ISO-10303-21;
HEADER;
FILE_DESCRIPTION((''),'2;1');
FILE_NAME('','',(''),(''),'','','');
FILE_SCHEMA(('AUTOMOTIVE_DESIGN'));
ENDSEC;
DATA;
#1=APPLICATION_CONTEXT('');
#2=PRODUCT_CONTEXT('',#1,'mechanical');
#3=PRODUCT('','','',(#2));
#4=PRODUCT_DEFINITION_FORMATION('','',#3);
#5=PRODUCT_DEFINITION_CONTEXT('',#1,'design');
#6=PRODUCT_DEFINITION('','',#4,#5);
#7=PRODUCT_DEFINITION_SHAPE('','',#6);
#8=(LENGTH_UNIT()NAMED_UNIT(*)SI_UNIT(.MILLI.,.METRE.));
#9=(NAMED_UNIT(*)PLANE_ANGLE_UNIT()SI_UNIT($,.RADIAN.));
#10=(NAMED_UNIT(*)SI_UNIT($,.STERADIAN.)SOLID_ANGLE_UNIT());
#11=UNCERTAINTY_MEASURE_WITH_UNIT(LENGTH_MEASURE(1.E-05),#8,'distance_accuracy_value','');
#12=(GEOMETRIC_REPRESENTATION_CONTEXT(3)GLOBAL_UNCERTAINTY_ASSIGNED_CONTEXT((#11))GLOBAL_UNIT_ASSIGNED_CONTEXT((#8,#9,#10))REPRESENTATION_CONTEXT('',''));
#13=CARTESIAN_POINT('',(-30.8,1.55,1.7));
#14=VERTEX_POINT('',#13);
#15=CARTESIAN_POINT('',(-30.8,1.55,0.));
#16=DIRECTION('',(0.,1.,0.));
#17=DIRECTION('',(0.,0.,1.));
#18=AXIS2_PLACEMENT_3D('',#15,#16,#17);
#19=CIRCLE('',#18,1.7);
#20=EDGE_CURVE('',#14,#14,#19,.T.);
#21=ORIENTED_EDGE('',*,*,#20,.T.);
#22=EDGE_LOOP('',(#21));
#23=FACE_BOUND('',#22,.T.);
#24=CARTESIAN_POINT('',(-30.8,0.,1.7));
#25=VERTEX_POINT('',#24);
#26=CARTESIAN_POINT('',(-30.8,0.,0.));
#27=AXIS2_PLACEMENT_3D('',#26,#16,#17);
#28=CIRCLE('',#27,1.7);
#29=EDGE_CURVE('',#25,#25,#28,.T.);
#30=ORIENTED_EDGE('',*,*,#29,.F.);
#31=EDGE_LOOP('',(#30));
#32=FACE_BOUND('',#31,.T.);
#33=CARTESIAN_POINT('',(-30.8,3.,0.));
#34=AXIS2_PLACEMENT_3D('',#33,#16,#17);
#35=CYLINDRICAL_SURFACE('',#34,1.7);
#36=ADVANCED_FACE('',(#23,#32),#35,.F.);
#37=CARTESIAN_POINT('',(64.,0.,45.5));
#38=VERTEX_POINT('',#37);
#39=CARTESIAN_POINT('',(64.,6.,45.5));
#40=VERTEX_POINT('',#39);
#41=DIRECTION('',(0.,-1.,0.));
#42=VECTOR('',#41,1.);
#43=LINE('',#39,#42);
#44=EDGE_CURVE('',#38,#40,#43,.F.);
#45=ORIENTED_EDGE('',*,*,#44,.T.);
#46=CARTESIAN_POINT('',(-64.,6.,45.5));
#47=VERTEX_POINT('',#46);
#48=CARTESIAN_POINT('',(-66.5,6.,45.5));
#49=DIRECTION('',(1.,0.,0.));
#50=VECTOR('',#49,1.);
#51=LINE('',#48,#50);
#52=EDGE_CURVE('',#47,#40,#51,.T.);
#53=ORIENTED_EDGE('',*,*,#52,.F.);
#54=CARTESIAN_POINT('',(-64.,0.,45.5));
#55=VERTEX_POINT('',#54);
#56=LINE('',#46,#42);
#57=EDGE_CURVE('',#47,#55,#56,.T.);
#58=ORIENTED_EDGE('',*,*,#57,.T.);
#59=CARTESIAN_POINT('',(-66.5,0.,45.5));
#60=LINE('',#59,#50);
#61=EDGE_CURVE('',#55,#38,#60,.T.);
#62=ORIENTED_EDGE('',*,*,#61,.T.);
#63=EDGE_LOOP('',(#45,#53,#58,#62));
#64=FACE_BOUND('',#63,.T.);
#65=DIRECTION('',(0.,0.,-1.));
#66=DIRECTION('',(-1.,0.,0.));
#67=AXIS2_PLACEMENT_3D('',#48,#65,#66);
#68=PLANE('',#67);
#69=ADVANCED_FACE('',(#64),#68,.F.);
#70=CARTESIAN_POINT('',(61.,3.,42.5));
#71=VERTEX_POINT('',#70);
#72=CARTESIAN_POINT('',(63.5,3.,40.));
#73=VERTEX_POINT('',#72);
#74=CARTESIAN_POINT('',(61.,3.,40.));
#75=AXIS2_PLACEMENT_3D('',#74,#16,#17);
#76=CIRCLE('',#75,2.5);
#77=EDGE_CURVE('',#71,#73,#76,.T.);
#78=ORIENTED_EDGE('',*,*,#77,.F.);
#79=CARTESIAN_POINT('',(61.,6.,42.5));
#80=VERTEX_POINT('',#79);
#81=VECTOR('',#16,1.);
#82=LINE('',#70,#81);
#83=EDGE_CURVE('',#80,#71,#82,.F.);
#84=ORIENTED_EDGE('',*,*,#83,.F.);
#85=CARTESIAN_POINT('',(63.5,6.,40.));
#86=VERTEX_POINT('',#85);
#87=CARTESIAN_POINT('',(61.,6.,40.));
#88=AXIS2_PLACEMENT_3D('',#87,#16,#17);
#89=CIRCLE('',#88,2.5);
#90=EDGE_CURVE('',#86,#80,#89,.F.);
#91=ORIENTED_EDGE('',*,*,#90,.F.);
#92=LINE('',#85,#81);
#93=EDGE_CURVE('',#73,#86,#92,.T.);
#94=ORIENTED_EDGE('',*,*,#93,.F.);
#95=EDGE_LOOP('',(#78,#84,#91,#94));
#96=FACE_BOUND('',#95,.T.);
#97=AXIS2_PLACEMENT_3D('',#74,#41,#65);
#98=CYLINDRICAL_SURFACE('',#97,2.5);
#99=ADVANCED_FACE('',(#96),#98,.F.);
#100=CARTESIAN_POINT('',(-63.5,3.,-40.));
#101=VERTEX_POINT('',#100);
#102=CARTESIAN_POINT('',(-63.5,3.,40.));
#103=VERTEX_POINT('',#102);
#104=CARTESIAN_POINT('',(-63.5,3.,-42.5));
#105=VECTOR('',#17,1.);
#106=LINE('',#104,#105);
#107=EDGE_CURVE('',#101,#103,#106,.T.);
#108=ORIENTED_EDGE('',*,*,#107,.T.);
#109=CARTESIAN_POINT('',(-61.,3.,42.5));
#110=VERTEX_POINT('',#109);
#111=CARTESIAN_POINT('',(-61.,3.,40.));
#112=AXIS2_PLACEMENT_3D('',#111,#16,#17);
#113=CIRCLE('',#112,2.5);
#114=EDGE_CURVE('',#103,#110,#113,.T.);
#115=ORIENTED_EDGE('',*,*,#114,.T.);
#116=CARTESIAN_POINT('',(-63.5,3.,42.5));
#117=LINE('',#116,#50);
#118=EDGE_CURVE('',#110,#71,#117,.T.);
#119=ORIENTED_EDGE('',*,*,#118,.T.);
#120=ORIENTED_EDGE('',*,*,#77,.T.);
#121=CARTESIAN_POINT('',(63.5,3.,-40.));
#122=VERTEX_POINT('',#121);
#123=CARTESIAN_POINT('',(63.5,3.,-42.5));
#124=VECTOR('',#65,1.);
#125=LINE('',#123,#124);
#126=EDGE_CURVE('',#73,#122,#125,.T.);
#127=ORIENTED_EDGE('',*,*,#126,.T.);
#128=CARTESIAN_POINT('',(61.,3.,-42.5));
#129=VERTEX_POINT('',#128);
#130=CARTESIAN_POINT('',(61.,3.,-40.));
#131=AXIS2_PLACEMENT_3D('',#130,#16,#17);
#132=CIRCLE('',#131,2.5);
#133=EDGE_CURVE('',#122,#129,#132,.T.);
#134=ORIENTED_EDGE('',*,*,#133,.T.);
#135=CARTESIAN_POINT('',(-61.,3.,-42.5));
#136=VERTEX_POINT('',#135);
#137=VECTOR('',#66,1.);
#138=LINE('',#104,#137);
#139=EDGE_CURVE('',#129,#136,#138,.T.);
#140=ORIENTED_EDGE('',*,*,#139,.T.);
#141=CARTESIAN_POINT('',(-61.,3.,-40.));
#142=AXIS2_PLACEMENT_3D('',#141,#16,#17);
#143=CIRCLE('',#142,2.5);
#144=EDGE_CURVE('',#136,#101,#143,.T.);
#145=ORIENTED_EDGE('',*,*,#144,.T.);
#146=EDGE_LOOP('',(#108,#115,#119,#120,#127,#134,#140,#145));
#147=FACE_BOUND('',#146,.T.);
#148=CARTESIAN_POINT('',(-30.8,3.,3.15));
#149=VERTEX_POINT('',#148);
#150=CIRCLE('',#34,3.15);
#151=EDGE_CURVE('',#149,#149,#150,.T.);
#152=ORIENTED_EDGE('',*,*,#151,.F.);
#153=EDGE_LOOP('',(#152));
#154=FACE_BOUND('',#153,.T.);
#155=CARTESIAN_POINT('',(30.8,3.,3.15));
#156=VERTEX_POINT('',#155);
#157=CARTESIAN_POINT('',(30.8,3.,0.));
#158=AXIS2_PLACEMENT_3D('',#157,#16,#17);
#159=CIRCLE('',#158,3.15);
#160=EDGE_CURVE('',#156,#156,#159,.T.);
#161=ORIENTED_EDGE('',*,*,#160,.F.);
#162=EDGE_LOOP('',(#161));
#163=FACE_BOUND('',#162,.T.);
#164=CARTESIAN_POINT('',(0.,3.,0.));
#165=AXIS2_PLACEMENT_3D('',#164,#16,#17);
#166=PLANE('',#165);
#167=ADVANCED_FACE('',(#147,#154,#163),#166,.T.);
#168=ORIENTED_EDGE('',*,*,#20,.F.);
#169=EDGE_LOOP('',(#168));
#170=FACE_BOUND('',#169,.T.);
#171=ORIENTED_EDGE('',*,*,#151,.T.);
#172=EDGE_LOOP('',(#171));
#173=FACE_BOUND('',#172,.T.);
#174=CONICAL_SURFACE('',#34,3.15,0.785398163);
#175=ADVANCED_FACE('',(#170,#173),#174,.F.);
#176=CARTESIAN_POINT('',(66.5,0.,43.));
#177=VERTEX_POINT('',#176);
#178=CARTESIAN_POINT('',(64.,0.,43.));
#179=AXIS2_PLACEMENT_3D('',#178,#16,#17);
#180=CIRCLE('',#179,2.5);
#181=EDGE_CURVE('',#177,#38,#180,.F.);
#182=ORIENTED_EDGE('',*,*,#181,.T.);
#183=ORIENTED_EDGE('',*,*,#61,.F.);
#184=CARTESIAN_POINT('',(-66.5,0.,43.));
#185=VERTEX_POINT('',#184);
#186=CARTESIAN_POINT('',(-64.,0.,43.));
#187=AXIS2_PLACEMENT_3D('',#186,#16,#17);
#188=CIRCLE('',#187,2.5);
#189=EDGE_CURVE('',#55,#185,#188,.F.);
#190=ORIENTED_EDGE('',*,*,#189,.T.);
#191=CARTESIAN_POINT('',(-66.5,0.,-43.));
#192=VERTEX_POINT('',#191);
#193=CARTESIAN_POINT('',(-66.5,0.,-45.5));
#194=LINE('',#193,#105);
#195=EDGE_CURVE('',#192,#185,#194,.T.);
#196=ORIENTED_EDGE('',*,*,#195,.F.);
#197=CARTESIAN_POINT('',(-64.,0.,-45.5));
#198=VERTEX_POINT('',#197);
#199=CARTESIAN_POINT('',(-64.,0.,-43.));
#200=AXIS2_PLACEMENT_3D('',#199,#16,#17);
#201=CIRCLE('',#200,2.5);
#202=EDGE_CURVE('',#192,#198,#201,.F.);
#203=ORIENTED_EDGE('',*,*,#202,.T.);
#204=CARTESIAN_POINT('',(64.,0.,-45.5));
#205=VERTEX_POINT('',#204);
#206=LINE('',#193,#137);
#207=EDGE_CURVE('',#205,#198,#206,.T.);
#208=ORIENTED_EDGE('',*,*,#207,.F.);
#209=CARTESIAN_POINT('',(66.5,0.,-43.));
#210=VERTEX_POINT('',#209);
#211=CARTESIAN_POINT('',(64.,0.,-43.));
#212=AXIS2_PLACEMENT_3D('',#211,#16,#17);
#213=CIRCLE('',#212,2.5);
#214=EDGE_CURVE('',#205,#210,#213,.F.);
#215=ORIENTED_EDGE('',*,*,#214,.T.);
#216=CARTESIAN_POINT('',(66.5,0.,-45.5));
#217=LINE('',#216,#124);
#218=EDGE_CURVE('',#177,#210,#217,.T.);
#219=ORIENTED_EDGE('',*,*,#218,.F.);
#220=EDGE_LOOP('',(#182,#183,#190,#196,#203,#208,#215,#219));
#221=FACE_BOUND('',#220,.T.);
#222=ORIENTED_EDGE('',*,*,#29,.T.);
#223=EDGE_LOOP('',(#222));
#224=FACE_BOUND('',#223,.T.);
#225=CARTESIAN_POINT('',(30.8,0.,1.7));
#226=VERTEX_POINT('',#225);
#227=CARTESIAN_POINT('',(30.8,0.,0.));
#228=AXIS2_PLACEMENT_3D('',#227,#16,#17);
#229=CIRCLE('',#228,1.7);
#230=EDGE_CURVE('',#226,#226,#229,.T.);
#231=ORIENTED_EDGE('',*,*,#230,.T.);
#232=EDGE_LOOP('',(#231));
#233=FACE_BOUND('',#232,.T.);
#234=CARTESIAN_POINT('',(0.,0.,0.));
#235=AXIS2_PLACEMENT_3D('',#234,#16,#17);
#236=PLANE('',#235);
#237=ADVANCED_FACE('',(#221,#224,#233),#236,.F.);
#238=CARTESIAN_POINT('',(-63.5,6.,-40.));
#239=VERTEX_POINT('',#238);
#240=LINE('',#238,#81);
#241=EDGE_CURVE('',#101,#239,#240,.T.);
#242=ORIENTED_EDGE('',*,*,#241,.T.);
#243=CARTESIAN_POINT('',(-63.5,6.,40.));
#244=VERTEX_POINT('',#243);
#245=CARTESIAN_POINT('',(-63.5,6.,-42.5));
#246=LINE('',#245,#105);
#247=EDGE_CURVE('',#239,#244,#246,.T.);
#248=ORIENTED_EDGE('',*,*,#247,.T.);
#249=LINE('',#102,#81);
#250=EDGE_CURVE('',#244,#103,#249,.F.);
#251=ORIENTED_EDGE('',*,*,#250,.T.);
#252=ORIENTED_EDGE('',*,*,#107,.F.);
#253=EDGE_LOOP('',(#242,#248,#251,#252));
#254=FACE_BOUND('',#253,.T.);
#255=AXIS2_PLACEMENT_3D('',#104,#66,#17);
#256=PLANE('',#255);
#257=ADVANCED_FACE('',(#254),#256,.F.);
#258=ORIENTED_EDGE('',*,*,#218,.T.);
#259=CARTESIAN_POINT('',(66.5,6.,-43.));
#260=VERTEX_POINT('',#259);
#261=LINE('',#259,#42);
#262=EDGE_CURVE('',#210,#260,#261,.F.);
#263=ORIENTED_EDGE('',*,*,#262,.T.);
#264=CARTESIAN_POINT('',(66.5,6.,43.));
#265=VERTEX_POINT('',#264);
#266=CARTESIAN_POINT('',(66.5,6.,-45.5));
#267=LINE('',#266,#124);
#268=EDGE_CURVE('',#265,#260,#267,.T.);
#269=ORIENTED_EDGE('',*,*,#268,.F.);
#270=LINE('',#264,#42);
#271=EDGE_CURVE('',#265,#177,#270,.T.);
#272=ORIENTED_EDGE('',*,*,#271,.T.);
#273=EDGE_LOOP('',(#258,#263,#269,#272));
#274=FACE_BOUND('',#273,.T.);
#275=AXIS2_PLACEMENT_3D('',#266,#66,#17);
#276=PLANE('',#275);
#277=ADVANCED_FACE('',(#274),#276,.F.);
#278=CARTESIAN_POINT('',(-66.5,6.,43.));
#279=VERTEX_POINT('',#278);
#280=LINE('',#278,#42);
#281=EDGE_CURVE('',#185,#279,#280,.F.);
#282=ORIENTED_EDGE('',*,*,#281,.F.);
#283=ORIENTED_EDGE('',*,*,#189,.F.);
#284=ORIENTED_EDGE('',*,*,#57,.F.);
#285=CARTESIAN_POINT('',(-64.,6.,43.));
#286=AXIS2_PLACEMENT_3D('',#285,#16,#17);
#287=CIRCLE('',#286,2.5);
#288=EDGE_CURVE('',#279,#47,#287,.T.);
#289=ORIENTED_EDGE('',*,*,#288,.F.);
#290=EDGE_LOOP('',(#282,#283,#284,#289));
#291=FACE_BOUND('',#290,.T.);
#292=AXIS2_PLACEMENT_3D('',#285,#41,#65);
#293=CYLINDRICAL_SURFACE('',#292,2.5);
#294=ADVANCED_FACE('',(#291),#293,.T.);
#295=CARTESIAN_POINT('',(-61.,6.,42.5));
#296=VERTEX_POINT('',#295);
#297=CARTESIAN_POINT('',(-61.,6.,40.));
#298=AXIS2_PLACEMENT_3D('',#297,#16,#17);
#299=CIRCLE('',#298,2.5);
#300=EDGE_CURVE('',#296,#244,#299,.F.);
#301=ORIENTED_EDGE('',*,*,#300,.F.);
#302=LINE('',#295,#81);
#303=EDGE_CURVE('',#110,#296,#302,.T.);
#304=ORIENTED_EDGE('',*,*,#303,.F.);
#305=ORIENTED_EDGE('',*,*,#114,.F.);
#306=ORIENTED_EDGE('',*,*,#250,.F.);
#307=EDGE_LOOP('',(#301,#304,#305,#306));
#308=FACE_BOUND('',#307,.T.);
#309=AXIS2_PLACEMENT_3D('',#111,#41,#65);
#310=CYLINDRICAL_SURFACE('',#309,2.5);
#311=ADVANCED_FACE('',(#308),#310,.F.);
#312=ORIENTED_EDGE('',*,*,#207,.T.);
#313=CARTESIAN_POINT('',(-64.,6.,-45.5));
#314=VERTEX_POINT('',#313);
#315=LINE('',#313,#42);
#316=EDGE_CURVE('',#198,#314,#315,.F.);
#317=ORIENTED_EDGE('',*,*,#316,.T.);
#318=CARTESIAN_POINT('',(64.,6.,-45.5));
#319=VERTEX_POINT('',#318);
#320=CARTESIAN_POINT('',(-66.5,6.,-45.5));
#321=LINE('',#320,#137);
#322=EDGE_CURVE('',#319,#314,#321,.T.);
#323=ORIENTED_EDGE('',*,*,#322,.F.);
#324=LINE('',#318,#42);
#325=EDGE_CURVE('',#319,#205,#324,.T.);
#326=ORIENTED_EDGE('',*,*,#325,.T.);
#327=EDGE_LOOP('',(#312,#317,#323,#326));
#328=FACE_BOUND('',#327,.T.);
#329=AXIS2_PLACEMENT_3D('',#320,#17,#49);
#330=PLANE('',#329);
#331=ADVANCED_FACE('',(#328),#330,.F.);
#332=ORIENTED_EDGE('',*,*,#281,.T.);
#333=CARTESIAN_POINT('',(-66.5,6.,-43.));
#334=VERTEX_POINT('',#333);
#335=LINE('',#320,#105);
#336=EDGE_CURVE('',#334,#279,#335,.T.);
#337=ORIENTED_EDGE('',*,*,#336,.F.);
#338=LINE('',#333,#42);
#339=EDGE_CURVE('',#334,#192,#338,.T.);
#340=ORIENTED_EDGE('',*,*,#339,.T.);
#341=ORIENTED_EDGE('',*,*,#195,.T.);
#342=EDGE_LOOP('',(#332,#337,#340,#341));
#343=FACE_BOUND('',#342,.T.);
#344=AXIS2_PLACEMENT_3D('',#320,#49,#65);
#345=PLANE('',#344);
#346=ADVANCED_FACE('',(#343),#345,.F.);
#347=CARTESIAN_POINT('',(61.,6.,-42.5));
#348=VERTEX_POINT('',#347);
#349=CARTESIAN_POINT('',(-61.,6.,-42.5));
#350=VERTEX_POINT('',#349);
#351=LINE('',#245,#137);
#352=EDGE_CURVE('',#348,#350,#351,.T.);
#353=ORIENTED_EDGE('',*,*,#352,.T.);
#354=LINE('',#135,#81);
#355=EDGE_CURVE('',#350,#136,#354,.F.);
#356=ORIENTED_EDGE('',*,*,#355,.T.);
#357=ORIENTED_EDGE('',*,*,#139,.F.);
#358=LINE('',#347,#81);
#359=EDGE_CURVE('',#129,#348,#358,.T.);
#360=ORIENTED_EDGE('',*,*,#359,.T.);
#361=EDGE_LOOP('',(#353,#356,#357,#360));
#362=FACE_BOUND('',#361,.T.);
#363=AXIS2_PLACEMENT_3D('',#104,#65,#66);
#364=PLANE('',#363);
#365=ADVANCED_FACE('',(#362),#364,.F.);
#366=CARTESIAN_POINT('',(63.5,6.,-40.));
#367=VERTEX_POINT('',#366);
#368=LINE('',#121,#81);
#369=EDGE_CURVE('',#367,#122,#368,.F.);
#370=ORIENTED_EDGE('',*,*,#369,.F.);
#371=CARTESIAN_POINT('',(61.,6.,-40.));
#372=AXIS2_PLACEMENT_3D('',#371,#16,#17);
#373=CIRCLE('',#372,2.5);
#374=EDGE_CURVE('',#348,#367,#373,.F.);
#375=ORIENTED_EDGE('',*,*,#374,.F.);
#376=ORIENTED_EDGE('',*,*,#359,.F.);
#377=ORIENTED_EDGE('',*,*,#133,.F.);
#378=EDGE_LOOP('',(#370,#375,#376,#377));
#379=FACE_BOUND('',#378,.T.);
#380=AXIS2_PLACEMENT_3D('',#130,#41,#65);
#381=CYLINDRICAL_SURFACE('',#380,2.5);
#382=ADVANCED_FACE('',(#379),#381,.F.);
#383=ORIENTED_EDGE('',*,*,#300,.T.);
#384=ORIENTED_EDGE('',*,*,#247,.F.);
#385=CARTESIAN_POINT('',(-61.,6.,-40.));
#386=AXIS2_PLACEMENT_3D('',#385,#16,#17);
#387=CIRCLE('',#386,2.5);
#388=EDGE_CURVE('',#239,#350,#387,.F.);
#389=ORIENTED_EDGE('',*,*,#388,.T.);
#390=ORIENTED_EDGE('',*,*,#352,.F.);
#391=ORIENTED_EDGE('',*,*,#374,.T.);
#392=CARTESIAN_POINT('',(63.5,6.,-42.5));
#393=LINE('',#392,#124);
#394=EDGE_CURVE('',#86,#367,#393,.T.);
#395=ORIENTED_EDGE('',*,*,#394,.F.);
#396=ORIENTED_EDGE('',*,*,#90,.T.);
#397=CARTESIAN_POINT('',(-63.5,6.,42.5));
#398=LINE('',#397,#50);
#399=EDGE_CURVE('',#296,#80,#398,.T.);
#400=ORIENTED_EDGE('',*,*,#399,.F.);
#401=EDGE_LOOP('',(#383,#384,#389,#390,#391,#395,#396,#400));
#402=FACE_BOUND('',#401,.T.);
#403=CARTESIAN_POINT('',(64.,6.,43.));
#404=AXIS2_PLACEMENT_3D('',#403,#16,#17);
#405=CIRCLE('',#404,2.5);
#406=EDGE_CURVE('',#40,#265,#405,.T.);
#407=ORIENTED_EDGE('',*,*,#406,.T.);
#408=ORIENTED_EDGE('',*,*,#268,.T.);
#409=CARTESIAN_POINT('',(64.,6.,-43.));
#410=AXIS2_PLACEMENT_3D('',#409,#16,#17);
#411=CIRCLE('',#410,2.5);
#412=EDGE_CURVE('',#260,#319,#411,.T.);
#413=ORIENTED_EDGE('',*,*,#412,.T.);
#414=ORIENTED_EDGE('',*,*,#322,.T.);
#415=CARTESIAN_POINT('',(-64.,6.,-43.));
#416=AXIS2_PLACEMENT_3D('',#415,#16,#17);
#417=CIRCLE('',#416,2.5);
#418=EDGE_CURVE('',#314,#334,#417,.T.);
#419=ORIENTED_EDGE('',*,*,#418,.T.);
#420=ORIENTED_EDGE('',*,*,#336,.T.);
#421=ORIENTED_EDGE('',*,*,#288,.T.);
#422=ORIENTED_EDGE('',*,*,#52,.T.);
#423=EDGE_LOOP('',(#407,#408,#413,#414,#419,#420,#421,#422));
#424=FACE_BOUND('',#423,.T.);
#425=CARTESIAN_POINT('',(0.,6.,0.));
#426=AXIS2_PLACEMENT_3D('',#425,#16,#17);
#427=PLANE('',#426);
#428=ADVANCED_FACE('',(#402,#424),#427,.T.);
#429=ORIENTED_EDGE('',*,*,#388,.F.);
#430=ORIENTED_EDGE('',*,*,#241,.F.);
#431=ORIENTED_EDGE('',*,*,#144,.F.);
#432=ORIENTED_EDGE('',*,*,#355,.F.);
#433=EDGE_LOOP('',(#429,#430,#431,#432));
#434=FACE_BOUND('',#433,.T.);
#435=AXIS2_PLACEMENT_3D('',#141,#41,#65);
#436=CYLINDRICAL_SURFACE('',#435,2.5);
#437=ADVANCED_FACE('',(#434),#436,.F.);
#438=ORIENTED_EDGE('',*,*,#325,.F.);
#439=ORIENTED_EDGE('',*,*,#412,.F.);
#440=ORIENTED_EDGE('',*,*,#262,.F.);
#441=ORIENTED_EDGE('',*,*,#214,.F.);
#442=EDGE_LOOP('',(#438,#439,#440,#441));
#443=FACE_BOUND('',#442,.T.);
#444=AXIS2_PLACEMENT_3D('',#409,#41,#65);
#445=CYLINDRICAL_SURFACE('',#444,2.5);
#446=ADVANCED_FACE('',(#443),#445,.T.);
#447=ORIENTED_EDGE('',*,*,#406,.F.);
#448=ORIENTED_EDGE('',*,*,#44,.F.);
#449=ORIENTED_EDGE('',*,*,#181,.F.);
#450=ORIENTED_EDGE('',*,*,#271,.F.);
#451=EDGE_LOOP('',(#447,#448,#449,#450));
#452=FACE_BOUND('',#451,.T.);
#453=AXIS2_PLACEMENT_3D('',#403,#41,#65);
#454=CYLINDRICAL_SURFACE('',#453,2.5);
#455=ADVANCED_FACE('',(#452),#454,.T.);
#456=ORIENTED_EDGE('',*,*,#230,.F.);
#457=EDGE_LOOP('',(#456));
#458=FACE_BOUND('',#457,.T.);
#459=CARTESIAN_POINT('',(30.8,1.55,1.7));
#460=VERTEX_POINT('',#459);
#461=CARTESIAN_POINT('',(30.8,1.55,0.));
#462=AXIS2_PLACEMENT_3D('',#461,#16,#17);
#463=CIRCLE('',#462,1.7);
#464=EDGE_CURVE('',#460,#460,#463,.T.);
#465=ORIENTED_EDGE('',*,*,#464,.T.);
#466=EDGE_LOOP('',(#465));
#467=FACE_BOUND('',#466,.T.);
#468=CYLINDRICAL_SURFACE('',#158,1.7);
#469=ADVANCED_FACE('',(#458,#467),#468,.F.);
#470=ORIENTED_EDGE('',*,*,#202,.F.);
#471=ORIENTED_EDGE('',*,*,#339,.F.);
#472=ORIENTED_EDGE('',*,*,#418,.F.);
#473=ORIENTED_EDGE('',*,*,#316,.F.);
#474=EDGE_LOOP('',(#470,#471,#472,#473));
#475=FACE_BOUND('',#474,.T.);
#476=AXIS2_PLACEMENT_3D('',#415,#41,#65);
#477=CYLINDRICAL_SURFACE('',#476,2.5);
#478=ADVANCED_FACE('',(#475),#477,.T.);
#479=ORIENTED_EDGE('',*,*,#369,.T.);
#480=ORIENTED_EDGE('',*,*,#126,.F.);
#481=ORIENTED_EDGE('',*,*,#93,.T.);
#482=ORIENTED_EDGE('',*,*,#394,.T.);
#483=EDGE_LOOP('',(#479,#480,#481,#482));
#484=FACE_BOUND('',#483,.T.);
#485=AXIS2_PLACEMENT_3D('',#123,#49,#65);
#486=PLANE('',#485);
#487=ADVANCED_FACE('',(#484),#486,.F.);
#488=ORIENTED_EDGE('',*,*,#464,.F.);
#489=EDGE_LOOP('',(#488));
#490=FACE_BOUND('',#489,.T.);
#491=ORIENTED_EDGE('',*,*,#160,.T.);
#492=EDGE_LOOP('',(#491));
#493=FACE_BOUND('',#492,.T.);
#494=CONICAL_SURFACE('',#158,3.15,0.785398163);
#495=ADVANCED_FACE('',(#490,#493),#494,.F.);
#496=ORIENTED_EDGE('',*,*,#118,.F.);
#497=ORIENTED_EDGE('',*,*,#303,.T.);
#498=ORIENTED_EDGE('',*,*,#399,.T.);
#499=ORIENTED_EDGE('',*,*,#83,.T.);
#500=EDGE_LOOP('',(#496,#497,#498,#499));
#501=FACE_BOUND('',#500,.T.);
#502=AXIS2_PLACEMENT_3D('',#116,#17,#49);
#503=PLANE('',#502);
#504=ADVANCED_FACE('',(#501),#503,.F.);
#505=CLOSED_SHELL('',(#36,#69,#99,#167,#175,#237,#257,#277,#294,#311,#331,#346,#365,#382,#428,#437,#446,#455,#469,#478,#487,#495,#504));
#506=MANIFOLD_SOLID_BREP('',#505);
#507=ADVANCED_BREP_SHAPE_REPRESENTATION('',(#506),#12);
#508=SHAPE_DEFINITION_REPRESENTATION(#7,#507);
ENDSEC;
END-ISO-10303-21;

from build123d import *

# Parameters (mm, degrees)
SKETCH1_W                                       = 133
SKETCH1_H                                       = 91
BOSS_EXTRUDE1_DEPTH                             = 6
SKETCH2_W                                       = 127
SKETCH2_H                                       = 85
CUT_EXTRUDE1_DEPTH                              = 3
FILLET1_R                                       = 2.5
CSK_FOR_M3_FLAT_HEAD_MACHINE_SCREW1_D           = 3.4
CSK_FOR_M3_FLAT_HEAD_MACHINE_SCREW1_DEPTH       = 17.38
CSK_FOR_M3_FLAT_HEAD_MACHINE_SCREW1_CSINK_D     = 6.3
CSK_FOR_M3_FLAT_HEAD_MACHINE_SCREW1_CSINK_ANGLE = 90
CSK_FOR_M3_FLAT_HEAD_MACHINE_SCREW1_TIP         = 1.021463052


with BuildPart() as part:
    # Sketch1 → Boss-Extrude1 (new body)
    with BuildSketch(Plane(origin=(0, 0, 0), x_dir=(1, 0, 0), z_dir=(0, 1, 0))):
        Rectangle(SKETCH1_W, SKETCH1_H)
    extrude(amount=BOSS_EXTRUDE1_DEPTH)

    # Sketch2 → Cut-Extrude1 (cut)
    with BuildSketch(Plane(origin=(0, 6, 0), x_dir=(1, 0, 0), z_dir=(0, 1, 0))):
        Rectangle(SKETCH2_W, SKETCH2_H)
    extrude(amount=-CUT_EXTRUDE1_DEPTH, mode=Mode.SUBTRACT)

    # Fillet1
    fillet1_edges = [part.edges().sort_by_distance(p)[0] for p in [
        (63.5, 4.5, -42.5),
        (63.5, 4.5, 42.5),
        (-63.5, 4.5, 42.5),
        (-63.5, 4.5, -42.5),
        (66.5, 3, 45.5),
        (-66.5, 3, 45.5),
        (-66.5, 3, -45.5),
        (66.5, 3, -45.5),
    ]]
    fillet(fillet1_edges, radius=FILLET1_R)

    # CSK for M3 Flat Head Machine Screw1
    with Locations(Plane(origin=(0, 3, 0), x_dir=(1, 0, 0), z_dir=(0, 1, 0))):
        with Locations((-30.8, 0), (30.8, 0)):
            CounterSinkHole(CSK_FOR_M3_FLAT_HEAD_MACHINE_SCREW1_D / 2, CSK_FOR_M3_FLAT_HEAD_MACHINE_SCREW1_CSINK_D / 2, depth=CSK_FOR_M3_FLAT_HEAD_MACHINE_SCREW1_DEPTH, counter_sink_angle=CSK_FOR_M3_FLAT_HEAD_MACHINE_SCREW1_CSINK_ANGLE)
            with Locations((0, 0, -(CSK_FOR_M3_FLAT_HEAD_MACHINE_SCREW1_DEPTH + CSK_FOR_M3_FLAT_HEAD_MACHINE_SCREW1_TIP / 2))):  # 118° drill point
                Cone(0, CSK_FOR_M3_FLAT_HEAD_MACHINE_SCREW1_D / 2, CSK_FOR_M3_FLAT_HEAD_MACHINE_SCREW1_TIP, mode=Mode.SUBTRACT)


solid = part.part
